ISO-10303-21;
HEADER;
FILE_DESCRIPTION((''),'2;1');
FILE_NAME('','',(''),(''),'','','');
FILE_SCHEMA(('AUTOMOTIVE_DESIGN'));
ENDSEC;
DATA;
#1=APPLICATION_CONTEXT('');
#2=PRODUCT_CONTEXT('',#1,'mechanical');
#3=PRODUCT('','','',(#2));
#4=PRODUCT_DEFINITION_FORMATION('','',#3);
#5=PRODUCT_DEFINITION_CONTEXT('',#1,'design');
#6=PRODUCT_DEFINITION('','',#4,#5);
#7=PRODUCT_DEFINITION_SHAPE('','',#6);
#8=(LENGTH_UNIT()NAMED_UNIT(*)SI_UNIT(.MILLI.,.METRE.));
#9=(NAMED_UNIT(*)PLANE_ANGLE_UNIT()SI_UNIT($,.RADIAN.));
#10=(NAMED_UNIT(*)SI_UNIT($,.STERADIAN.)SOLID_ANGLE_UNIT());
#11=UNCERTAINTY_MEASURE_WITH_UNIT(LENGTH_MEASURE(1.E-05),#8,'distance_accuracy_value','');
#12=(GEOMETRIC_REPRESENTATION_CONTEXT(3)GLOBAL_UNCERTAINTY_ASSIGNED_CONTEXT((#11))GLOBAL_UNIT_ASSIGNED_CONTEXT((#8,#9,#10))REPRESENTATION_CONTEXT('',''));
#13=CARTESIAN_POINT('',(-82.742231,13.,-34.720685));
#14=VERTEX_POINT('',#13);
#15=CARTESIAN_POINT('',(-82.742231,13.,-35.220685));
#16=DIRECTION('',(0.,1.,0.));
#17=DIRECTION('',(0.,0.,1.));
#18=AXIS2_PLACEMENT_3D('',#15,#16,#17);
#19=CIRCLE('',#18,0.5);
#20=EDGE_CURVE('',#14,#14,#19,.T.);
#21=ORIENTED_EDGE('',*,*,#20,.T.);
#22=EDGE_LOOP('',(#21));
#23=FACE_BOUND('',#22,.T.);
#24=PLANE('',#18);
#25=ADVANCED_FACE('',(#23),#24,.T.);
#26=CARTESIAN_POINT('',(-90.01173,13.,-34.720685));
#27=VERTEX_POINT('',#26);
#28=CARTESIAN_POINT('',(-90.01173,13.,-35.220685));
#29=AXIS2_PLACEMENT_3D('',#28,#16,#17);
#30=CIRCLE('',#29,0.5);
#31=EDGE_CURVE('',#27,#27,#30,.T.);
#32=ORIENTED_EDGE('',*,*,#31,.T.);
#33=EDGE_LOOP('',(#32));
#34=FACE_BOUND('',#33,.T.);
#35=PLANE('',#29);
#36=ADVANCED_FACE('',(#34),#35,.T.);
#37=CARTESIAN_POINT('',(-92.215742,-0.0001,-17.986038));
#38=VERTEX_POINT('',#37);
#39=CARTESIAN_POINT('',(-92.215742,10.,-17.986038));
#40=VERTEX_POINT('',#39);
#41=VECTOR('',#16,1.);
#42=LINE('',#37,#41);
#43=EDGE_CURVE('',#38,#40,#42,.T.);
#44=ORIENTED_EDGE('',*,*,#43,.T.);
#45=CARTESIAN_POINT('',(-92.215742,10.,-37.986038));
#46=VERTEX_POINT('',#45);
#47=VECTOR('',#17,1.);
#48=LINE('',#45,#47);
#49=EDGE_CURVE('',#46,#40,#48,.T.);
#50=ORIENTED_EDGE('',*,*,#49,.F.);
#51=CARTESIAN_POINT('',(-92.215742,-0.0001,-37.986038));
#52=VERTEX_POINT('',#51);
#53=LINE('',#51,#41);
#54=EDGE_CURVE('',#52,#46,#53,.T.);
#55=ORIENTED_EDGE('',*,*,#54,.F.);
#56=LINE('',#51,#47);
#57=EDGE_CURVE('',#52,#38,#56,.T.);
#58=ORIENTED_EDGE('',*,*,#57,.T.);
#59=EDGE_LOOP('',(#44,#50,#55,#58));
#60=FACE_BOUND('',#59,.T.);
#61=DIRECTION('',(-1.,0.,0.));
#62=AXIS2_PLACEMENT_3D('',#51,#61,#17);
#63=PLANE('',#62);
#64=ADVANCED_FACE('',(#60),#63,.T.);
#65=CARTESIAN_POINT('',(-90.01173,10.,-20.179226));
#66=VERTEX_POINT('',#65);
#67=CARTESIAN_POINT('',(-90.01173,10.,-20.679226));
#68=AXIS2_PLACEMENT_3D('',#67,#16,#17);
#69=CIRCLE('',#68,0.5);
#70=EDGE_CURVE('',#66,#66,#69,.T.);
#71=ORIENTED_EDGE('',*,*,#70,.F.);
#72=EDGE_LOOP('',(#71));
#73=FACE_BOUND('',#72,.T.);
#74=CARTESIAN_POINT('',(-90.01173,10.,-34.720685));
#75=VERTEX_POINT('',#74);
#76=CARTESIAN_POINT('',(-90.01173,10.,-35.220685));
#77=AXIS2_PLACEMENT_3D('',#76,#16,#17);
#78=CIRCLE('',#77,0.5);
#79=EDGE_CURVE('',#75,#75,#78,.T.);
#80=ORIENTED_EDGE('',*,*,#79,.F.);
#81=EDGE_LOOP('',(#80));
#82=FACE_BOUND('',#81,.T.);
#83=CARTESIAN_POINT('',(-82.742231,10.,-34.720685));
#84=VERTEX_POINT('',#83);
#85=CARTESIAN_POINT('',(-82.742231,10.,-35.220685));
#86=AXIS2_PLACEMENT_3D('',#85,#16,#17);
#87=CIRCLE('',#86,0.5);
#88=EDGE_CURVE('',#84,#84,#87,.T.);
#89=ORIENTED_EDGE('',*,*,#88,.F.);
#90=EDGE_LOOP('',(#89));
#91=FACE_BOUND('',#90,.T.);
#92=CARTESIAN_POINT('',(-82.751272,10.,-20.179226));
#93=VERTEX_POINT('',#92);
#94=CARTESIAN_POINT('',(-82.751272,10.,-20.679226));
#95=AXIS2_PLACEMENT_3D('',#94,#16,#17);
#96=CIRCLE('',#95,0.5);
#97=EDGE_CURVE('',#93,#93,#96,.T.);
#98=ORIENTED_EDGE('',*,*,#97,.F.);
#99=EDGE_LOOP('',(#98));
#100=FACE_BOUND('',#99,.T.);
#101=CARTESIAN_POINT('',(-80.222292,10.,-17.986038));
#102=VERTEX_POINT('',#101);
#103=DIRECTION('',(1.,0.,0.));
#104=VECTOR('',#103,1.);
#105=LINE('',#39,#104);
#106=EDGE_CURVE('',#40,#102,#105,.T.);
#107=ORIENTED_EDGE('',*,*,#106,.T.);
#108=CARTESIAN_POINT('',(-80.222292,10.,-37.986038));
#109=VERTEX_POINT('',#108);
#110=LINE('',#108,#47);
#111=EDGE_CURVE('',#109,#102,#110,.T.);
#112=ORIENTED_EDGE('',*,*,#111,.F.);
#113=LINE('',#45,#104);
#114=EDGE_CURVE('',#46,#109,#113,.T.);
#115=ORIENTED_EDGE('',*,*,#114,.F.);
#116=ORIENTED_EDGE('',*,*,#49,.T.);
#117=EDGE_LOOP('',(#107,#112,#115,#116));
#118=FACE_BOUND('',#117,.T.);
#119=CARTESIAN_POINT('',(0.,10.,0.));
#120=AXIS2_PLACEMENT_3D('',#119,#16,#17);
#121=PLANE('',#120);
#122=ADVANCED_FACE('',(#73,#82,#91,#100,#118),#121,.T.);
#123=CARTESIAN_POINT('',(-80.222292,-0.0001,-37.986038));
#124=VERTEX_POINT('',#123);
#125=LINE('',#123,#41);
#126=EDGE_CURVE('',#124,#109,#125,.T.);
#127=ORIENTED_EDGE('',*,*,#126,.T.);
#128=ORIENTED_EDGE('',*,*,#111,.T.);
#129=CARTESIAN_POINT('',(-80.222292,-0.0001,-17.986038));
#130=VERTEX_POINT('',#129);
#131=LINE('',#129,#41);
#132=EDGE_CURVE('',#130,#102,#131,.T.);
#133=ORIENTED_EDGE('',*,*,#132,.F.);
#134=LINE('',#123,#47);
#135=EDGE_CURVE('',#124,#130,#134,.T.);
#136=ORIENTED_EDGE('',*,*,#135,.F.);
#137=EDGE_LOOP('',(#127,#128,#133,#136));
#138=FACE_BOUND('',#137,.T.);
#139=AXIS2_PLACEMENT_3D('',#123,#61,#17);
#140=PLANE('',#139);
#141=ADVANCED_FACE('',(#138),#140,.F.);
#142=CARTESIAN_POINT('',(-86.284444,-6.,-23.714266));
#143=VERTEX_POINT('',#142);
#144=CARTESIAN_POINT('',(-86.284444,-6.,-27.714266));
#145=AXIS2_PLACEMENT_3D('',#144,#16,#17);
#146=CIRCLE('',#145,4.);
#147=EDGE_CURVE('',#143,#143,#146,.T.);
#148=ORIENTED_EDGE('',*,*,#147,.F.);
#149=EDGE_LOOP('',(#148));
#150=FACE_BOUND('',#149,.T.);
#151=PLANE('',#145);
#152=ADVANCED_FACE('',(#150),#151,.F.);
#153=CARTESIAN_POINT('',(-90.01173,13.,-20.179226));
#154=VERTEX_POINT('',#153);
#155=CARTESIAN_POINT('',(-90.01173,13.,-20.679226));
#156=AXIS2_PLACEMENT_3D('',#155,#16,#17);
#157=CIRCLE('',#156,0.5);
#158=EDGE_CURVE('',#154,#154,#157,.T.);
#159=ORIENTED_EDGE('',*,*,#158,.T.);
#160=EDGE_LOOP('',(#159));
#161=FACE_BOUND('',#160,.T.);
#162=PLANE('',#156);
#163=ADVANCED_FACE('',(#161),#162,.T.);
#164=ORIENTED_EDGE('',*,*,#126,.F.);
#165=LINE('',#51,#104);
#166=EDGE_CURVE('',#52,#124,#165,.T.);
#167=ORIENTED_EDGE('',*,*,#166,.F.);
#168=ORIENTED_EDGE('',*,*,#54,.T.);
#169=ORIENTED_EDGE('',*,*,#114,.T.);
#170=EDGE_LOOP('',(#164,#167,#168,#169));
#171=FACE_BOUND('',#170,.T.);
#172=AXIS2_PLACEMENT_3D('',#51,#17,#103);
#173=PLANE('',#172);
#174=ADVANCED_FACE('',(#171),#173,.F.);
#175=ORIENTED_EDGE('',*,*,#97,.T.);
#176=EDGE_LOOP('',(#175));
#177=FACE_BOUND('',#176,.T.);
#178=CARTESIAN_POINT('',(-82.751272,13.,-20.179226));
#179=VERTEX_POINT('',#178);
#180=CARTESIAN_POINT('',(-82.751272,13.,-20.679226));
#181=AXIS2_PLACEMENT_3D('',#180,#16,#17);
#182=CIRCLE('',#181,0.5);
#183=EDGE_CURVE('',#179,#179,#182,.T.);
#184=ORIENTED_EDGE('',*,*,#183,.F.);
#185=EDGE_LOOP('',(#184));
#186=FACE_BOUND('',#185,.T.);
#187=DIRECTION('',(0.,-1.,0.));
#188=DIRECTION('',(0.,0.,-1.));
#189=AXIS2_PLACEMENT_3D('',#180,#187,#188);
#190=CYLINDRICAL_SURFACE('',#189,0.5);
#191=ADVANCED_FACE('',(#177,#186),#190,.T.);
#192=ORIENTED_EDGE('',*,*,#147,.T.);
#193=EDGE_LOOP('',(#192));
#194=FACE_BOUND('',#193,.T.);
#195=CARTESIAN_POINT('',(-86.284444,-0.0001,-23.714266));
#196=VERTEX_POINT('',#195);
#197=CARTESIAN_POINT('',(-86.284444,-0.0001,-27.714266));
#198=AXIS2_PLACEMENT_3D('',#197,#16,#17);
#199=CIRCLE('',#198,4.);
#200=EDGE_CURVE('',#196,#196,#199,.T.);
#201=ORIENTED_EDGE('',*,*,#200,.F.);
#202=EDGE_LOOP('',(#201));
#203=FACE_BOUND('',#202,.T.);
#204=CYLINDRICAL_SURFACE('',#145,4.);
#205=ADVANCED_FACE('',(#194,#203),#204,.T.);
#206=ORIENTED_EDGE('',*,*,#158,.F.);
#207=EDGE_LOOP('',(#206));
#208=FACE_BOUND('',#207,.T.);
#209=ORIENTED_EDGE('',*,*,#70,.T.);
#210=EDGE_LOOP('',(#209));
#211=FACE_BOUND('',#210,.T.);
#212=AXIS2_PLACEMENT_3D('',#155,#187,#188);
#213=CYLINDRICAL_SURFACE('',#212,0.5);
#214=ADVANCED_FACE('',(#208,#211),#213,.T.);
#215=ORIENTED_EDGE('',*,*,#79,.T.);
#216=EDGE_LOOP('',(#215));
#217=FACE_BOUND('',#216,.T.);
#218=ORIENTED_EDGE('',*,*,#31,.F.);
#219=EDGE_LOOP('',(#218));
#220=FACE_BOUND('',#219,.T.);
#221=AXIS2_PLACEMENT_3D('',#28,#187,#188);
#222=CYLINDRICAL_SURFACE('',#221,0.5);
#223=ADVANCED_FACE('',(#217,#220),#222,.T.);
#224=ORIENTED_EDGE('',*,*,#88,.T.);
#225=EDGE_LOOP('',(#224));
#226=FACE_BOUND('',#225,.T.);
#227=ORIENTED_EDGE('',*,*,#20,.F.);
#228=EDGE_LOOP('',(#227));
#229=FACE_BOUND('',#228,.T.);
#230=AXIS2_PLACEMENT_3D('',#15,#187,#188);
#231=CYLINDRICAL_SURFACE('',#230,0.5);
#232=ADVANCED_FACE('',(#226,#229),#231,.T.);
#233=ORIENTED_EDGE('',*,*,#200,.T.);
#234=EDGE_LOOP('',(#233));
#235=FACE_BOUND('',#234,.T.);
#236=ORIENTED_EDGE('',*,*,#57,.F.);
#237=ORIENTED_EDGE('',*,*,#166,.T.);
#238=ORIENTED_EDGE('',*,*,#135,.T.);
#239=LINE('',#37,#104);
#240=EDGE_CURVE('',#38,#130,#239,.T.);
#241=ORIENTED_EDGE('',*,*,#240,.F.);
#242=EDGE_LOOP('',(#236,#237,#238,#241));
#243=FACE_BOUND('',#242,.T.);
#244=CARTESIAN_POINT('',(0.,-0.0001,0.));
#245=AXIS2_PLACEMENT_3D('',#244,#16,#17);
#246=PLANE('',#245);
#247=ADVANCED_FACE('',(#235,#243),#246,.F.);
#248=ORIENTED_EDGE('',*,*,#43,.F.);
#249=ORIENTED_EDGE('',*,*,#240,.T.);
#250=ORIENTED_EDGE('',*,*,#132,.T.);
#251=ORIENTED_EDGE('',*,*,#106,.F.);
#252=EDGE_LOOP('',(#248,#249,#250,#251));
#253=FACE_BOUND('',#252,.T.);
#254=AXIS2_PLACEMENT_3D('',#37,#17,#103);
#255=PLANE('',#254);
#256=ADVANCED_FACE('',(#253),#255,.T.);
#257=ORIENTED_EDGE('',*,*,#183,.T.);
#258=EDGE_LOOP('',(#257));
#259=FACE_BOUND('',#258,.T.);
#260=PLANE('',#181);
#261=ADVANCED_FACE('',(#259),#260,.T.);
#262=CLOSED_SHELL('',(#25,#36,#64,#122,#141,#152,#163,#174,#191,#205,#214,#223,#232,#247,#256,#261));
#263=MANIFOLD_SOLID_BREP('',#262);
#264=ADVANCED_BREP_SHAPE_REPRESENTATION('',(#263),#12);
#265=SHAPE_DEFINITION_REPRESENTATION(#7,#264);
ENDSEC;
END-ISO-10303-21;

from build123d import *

# Parameters (mm, degrees)
BOSS_EXTRUDE1_DEPTH      = 10
BOSS_EXTRUDE1_DEPTH_BACK = 0.0001
SKETCH2_W                = 11.99345044
SKETCH2_H                = 20
SKETCH3_R                = 4
BOSS_EXTRUDE3_DEPTH      = 6
SKETCH4_R                = 0.5
BOSS_EXTRUDE4_DEPTH      = 3


with BuildPart() as part:
    # Sketch2 → Boss-Extrude1 (new, two sides: drawn at the far end of the back side and taken through both)
    with BuildSketch(Plane(origin=(0, 0, -0.145481973), x_dir=(1, 0, 0), z_dir=(0, 1, 0)).offset(-BOSS_EXTRUDE1_DEPTH_BACK)):
        with Locations((-86.219016819, 27.840556499)):
            Rectangle(SKETCH2_W, SKETCH2_H)
    extrude(amount=BOSS_EXTRUDE1_DEPTH + BOSS_EXTRUDE1_DEPTH_BACK)

    # Sketch3 → Boss-Extrude3 (add)
    with BuildSketch(Plane(origin=(-2.285199676, 0, 0), x_dir=(1, 0, 0), z_dir=(0, 1, 0))):
        with Locations(Location((-83.999243897, 27.714265915, 0), (0, 0, 270))):
            Circle(SKETCH3_R)
    extrude(amount=-BOSS_EXTRUDE3_DEPTH)

    # Sketch4 → Boss-Extrude4 (add)
    with BuildSketch(Plane(origin=(-0.419617144, 10, -0.145481973), x_dir=(1, 0, 0), z_dir=(0, 1, 0))):
        with Locations(Location((-89.592112579, 35.075202762, 0), (0, 0, 270))):
            Circle(SKETCH4_R)
        with Locations(Location((-82.322613513, 35.075202762, 0), (0, 0, 270))):
            Circle(SKETCH4_R)
        with Locations(Location((-82.331654895, 20.533744188, 0), (0, 0, 270))):
            Circle(SKETCH4_R)
        with Locations(Location((-89.592112579, 20.533744188, 0), (0, 0, 270))):
            Circle(SKETCH4_R)
    extrude(amount=BOSS_EXTRUDE4_DEPTH)


solid = part.part
